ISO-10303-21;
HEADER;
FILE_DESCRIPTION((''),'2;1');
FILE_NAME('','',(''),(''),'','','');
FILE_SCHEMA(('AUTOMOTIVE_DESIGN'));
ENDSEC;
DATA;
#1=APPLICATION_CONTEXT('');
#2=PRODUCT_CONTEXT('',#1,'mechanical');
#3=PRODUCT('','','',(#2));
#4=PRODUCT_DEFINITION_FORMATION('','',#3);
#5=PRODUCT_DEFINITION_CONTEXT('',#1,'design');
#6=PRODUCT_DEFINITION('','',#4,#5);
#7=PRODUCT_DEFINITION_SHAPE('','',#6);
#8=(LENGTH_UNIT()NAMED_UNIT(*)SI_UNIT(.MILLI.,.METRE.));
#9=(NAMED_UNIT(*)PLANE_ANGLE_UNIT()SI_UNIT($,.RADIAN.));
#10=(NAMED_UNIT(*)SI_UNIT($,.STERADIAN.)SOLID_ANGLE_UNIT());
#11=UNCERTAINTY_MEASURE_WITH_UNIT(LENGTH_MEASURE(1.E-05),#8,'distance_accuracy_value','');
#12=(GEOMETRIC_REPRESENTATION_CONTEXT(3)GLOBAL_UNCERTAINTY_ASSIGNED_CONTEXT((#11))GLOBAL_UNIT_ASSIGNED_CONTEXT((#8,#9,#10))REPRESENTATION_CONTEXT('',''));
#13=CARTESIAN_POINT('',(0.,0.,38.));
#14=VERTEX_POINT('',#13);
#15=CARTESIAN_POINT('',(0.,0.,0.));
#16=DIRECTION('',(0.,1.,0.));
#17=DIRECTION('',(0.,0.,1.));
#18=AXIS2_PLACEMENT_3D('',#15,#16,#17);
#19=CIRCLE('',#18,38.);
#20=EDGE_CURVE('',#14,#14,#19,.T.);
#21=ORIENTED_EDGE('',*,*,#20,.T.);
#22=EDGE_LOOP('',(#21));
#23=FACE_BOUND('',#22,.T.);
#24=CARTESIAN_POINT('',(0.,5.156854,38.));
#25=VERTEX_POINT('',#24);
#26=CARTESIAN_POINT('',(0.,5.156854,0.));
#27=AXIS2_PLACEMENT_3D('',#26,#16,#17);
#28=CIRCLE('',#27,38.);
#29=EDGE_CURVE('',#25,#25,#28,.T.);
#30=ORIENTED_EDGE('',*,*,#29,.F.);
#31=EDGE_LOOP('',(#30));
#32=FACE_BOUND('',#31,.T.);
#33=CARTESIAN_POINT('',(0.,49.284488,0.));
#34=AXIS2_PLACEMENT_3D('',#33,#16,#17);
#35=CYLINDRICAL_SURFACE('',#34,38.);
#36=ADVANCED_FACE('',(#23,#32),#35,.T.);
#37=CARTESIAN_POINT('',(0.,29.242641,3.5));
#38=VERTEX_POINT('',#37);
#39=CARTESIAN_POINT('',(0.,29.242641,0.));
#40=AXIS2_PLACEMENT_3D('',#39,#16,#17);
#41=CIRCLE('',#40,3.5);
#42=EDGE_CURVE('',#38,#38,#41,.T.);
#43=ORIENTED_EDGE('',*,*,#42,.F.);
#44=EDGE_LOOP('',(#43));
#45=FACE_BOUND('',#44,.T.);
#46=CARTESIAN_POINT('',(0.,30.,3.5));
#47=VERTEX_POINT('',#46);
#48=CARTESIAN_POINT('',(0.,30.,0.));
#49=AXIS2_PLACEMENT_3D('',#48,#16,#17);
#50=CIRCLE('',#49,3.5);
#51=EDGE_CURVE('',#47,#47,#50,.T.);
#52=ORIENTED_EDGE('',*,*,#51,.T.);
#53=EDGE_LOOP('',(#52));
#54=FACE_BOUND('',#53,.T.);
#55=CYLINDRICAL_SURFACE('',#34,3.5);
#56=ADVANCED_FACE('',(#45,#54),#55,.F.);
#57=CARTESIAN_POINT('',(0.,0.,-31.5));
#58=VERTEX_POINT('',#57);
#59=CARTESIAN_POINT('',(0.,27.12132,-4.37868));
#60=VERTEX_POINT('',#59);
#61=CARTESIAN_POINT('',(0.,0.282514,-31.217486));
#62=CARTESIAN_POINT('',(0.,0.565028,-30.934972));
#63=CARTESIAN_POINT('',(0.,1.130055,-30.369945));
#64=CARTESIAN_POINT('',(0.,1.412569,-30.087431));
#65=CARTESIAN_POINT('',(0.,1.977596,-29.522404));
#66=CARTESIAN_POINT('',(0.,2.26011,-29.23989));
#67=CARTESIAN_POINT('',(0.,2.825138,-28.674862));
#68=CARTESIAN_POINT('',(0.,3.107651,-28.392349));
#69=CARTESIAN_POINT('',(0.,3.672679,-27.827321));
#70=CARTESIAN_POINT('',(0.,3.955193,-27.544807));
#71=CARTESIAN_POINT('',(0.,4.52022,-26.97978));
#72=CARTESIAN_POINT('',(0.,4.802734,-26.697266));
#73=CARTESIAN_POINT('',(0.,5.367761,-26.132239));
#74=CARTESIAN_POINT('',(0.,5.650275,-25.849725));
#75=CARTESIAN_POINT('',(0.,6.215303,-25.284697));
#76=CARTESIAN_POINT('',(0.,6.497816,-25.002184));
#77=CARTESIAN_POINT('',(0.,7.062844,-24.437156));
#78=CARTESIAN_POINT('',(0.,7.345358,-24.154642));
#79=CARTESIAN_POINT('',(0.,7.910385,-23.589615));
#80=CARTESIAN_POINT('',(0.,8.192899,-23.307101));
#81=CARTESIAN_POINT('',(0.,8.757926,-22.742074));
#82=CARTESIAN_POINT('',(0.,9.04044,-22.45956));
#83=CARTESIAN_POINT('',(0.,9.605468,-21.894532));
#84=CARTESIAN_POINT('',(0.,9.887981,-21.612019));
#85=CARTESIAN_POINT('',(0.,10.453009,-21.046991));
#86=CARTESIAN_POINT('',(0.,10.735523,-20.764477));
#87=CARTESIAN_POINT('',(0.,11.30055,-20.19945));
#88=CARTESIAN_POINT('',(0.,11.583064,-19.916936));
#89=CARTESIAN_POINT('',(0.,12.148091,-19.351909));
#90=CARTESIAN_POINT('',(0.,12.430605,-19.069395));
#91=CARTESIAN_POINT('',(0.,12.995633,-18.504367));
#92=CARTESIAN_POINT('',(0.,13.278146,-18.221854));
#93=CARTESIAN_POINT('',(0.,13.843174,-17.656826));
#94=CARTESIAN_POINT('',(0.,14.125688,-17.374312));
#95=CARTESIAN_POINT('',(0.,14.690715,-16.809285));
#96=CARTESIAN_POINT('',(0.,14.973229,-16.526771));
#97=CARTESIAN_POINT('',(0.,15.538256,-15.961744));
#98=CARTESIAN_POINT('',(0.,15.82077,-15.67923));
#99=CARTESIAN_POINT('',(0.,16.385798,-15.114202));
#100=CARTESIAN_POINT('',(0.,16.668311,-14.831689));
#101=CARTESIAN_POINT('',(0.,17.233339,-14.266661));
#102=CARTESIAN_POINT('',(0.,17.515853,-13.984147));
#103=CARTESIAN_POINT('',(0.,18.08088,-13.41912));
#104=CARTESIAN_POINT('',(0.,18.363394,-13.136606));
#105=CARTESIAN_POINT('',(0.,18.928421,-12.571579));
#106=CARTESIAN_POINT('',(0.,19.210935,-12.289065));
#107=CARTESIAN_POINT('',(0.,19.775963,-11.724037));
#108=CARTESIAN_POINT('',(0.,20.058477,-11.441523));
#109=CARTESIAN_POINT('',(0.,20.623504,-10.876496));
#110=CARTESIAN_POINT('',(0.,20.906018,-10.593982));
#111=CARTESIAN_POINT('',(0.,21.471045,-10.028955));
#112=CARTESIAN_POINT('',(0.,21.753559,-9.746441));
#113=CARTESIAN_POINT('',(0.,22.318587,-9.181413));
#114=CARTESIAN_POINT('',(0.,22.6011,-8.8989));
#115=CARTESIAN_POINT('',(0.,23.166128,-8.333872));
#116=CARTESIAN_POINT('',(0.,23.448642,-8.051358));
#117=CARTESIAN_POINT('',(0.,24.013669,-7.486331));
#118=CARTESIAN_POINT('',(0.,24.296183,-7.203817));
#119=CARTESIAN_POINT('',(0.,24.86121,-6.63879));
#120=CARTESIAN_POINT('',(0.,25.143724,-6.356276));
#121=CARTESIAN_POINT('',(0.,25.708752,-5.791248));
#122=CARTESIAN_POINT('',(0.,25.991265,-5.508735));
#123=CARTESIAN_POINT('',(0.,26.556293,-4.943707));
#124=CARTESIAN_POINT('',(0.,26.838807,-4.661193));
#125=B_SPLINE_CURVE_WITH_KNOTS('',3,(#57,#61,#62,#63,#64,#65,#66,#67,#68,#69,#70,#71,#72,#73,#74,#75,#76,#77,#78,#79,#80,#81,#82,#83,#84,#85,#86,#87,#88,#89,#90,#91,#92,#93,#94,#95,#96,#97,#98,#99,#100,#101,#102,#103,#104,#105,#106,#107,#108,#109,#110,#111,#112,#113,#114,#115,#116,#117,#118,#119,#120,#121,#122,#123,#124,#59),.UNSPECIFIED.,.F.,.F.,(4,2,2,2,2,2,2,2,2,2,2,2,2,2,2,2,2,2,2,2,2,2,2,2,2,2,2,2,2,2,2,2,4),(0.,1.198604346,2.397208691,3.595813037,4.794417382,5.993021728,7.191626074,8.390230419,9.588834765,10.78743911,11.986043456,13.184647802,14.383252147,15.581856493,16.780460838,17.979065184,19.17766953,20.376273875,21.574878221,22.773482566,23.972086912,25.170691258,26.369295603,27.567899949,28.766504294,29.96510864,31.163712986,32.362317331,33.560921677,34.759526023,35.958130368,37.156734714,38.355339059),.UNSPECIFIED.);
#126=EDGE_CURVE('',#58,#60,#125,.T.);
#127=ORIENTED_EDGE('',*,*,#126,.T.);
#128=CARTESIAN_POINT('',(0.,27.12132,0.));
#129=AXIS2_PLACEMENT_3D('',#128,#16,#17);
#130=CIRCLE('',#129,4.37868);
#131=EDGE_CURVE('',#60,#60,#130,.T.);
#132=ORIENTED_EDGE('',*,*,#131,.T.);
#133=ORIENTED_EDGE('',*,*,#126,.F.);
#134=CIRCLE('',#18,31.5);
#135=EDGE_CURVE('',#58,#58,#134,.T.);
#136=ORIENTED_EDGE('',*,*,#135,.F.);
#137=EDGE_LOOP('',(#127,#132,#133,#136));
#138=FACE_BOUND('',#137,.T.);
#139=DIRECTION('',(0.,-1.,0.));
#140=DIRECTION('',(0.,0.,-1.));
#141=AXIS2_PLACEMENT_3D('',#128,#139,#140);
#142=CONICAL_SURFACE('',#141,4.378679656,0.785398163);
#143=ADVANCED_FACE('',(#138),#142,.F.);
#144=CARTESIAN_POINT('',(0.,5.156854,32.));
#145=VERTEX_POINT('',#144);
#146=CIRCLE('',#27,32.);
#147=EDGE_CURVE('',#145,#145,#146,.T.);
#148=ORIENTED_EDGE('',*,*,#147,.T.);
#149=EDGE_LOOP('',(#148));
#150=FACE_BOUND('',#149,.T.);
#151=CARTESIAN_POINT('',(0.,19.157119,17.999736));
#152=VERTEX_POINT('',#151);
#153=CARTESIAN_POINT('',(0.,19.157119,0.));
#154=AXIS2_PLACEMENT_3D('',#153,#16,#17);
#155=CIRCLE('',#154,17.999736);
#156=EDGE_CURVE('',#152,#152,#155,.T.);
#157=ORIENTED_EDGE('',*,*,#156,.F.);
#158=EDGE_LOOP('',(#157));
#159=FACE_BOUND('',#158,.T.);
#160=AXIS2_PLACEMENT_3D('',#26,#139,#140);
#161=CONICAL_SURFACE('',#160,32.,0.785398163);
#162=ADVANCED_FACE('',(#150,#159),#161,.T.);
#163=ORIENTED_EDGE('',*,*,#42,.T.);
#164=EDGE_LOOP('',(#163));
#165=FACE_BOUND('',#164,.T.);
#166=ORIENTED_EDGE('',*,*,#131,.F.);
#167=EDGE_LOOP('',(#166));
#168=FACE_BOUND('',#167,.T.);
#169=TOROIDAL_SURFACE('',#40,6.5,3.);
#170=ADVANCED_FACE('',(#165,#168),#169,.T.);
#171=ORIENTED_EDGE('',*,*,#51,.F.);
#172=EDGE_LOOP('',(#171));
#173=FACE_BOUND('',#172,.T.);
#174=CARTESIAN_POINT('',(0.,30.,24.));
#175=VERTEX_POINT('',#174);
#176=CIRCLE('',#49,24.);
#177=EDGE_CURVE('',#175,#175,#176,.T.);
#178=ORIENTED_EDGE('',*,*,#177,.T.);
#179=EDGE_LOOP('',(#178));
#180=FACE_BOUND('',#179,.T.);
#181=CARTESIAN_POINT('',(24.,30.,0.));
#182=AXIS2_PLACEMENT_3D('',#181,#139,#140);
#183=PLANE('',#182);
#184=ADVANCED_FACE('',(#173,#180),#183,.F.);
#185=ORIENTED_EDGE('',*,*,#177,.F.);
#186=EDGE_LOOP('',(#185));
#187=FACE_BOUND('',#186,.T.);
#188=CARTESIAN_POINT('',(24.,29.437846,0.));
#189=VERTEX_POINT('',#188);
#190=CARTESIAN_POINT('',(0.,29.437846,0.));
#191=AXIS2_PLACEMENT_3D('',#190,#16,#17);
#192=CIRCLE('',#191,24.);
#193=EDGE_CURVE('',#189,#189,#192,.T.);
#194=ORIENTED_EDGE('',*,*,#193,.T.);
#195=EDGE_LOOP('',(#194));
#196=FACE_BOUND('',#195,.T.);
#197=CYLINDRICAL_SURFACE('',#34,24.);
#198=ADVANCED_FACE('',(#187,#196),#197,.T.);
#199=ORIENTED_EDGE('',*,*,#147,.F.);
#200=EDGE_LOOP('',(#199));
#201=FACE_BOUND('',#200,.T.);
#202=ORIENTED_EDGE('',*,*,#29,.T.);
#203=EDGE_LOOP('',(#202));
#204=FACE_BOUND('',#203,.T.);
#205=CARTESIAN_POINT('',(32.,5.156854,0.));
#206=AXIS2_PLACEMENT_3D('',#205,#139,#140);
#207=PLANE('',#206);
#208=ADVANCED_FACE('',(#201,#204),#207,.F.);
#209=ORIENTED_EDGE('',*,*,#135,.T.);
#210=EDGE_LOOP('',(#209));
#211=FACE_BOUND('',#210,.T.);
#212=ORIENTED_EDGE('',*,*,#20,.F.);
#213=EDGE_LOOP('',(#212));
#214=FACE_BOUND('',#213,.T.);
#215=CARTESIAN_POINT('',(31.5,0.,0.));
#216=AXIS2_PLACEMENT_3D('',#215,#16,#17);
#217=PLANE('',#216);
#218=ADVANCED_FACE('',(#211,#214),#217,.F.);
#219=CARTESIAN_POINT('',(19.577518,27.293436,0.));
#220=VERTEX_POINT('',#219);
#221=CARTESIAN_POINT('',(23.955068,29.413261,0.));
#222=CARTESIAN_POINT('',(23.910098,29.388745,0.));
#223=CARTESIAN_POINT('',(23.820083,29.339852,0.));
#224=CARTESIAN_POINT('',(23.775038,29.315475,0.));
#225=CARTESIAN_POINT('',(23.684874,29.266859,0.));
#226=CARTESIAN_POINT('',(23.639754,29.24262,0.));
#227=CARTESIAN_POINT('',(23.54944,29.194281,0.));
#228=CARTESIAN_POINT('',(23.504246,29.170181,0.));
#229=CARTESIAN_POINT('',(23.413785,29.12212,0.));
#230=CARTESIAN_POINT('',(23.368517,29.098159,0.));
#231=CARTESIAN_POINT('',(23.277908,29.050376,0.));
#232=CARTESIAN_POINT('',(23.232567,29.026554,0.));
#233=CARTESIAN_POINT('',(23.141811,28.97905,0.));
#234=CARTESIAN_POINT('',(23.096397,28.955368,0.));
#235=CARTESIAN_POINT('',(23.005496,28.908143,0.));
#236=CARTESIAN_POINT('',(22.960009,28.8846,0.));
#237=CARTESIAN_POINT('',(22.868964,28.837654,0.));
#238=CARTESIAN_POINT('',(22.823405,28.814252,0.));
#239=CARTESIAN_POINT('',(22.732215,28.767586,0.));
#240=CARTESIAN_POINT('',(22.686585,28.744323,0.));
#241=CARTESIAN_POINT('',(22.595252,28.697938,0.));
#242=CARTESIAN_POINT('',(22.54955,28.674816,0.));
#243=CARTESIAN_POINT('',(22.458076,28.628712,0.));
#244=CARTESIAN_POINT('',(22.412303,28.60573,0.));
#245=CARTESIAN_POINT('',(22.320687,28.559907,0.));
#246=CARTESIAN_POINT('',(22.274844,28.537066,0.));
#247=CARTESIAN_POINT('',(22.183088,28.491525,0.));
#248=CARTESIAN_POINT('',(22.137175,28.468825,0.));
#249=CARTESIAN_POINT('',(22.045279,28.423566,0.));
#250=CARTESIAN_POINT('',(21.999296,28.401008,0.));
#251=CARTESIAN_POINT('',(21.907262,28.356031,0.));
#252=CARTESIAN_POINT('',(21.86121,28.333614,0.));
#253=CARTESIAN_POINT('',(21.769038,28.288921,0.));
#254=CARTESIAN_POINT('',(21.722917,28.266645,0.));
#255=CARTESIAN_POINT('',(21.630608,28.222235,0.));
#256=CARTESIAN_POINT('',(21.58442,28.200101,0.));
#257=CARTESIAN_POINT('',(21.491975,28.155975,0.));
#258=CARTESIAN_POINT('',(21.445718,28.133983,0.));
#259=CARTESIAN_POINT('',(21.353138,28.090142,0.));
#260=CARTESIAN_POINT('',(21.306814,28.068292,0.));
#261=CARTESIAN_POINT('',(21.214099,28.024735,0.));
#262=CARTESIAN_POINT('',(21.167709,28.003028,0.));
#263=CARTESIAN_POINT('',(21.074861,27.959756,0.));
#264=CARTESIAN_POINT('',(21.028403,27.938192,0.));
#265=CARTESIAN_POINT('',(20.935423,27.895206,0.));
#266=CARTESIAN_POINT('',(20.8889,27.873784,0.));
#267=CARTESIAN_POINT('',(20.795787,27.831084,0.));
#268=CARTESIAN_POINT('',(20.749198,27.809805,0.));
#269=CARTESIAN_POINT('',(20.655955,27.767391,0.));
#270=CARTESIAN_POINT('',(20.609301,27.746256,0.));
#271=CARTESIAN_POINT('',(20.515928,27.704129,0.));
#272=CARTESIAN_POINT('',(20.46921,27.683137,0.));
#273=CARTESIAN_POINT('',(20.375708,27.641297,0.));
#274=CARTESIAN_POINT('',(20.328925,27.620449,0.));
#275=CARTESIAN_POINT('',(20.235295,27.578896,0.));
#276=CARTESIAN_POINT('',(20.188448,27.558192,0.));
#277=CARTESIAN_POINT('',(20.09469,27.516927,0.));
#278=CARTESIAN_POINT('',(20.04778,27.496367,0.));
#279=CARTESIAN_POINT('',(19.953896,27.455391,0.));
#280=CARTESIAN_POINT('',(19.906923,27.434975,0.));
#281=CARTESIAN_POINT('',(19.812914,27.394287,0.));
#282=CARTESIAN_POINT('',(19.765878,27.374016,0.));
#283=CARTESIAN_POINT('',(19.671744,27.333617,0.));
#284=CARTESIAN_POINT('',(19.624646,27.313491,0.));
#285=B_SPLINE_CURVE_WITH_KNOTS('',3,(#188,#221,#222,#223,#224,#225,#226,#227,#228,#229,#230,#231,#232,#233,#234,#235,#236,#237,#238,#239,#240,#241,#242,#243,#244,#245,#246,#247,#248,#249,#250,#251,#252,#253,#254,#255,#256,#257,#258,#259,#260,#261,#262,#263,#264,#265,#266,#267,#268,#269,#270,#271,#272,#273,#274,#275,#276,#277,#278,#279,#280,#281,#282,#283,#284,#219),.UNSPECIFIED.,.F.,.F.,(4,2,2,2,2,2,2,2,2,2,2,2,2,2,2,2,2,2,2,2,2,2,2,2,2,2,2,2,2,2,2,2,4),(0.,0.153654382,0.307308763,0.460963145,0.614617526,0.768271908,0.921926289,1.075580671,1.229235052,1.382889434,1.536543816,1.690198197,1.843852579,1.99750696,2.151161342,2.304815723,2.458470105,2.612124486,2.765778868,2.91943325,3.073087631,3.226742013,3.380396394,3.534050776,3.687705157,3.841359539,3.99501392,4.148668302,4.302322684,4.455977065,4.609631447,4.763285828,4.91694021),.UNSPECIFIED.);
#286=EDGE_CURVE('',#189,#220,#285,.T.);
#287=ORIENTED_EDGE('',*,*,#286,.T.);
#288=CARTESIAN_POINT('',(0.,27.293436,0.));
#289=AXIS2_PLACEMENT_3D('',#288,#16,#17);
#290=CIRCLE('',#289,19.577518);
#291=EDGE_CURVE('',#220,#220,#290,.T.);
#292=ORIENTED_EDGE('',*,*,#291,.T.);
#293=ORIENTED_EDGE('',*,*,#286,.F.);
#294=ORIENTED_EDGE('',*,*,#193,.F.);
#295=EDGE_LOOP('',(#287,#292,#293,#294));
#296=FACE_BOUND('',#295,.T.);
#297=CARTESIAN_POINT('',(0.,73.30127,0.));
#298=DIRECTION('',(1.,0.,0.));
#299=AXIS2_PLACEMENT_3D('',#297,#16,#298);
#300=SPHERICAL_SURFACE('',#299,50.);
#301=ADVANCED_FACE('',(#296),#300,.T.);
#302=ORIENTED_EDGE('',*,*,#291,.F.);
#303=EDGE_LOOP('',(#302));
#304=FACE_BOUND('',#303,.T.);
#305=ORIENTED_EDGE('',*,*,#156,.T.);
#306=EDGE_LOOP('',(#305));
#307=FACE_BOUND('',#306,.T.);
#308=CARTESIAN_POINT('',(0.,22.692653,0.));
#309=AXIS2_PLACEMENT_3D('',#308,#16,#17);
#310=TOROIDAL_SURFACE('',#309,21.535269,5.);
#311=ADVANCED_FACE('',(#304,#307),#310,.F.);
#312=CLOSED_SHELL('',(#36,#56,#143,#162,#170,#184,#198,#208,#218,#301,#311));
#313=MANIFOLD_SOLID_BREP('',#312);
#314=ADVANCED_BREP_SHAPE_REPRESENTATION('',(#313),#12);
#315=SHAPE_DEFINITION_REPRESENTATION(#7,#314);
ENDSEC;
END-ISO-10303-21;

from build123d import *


with BuildPart() as part:
    # Esquisse1 → Révolution1 (revolve)
    with BuildSketch(Plane.XY):
        with BuildLine():
            Line((31.5, 0), (38, 0))
            Line((38, 0), (38, 5.156854249))
            Line((38, 5.156854249), (32, 5.156854249))
            Line((32, 5.156854249), (17.99973552, 19.157118729))
            ThreePointArc((17.99973552, 19.157118729), (16.626709378, 23.64451305), (19.57751766, 27.293436049))
            ThreePointArc((19.57751766, 27.293436049), (21.815123989, 28.31126724), (24, 29.43784579))
            Line((24, 29.43784579), (24, 30))
            Line((24, 30), (3.5, 30))
            Line((3.5, 30), (3.5, 29.242640687))
            ThreePointArc((3.5, 29.242640687), (3.728361402, 28.09459039), (4.378679656, 27.121320344))
            Line((4.378679656, 27.121320344), (31.5, 0))
        make_face()
    revolve(axis=Axis((0, 49.284488144, 0), (0, -1, 0)))


solid = part.part
